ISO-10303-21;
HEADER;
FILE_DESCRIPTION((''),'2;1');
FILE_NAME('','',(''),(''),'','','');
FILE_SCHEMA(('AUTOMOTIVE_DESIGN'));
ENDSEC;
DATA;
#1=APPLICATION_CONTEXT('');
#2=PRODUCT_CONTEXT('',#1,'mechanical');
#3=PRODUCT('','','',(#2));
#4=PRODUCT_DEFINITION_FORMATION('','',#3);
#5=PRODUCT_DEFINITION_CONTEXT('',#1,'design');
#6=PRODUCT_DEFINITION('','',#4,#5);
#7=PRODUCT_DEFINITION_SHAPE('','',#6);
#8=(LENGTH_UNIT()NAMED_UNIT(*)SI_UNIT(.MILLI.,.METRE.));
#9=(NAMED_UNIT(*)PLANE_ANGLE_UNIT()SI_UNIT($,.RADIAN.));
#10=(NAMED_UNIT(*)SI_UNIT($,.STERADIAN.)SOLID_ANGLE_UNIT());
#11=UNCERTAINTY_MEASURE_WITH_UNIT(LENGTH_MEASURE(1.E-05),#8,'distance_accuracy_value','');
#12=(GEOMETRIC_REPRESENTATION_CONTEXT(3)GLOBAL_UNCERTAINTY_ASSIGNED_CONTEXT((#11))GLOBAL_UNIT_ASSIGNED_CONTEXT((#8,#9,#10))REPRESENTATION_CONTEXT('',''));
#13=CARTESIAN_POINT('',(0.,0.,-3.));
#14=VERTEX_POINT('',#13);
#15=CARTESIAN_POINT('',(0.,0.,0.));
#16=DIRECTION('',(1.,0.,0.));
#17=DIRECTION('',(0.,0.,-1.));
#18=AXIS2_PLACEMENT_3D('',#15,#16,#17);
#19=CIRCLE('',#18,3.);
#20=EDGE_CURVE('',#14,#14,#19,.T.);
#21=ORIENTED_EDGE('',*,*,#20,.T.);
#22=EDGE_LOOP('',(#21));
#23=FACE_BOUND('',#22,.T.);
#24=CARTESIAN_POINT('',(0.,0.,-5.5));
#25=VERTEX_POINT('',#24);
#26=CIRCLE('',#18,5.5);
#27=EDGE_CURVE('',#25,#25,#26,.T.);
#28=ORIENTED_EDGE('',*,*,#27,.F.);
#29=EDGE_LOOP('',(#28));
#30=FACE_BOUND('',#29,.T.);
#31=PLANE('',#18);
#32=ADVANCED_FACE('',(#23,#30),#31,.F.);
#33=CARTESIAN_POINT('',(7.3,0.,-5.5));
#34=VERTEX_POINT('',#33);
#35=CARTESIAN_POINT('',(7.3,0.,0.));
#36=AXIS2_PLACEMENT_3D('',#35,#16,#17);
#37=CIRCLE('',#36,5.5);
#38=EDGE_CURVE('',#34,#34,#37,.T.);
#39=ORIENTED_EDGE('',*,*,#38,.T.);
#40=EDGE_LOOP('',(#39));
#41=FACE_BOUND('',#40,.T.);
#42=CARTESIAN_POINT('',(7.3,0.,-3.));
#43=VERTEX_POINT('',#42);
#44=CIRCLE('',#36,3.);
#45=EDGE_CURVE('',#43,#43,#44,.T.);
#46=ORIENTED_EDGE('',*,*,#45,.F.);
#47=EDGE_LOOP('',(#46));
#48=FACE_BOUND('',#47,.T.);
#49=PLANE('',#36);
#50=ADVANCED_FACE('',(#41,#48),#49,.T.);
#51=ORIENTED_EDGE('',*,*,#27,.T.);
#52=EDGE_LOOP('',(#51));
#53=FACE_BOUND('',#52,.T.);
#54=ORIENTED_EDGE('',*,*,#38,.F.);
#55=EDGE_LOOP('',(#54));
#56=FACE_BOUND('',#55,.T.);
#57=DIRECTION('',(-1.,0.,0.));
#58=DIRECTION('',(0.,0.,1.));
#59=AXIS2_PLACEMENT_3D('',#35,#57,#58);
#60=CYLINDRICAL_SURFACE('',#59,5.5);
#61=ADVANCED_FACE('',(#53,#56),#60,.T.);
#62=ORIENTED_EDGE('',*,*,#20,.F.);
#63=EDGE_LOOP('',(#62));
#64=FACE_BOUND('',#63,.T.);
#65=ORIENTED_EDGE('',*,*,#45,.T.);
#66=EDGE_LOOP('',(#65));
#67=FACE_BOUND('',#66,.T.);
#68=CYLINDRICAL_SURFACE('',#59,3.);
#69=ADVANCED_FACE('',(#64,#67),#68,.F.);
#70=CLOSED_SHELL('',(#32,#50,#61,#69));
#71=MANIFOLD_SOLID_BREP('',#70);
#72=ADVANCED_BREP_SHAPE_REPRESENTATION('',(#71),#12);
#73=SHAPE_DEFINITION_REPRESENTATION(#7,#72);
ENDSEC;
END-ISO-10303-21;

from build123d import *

# Parameters (mm, degrees)
SKETCH_2_R      = 5.5
SKETCH_2_R_2    = 3
EXTRUDE_1_DEPTH = 7.3


with BuildPart() as part:
    # 草图2 → 凸台-拉伸1 (new body)
    with BuildSketch(Plane(origin=(0, 0, 0), x_dir=(0, 0, -1), z_dir=(1, 0, 0))):
        Circle(SKETCH_2_R)
        Circle(SKETCH_2_R_2, mode=Mode.SUBTRACT)
    extrude(amount=EXTRUDE_1_DEPTH)


solid = part.part
